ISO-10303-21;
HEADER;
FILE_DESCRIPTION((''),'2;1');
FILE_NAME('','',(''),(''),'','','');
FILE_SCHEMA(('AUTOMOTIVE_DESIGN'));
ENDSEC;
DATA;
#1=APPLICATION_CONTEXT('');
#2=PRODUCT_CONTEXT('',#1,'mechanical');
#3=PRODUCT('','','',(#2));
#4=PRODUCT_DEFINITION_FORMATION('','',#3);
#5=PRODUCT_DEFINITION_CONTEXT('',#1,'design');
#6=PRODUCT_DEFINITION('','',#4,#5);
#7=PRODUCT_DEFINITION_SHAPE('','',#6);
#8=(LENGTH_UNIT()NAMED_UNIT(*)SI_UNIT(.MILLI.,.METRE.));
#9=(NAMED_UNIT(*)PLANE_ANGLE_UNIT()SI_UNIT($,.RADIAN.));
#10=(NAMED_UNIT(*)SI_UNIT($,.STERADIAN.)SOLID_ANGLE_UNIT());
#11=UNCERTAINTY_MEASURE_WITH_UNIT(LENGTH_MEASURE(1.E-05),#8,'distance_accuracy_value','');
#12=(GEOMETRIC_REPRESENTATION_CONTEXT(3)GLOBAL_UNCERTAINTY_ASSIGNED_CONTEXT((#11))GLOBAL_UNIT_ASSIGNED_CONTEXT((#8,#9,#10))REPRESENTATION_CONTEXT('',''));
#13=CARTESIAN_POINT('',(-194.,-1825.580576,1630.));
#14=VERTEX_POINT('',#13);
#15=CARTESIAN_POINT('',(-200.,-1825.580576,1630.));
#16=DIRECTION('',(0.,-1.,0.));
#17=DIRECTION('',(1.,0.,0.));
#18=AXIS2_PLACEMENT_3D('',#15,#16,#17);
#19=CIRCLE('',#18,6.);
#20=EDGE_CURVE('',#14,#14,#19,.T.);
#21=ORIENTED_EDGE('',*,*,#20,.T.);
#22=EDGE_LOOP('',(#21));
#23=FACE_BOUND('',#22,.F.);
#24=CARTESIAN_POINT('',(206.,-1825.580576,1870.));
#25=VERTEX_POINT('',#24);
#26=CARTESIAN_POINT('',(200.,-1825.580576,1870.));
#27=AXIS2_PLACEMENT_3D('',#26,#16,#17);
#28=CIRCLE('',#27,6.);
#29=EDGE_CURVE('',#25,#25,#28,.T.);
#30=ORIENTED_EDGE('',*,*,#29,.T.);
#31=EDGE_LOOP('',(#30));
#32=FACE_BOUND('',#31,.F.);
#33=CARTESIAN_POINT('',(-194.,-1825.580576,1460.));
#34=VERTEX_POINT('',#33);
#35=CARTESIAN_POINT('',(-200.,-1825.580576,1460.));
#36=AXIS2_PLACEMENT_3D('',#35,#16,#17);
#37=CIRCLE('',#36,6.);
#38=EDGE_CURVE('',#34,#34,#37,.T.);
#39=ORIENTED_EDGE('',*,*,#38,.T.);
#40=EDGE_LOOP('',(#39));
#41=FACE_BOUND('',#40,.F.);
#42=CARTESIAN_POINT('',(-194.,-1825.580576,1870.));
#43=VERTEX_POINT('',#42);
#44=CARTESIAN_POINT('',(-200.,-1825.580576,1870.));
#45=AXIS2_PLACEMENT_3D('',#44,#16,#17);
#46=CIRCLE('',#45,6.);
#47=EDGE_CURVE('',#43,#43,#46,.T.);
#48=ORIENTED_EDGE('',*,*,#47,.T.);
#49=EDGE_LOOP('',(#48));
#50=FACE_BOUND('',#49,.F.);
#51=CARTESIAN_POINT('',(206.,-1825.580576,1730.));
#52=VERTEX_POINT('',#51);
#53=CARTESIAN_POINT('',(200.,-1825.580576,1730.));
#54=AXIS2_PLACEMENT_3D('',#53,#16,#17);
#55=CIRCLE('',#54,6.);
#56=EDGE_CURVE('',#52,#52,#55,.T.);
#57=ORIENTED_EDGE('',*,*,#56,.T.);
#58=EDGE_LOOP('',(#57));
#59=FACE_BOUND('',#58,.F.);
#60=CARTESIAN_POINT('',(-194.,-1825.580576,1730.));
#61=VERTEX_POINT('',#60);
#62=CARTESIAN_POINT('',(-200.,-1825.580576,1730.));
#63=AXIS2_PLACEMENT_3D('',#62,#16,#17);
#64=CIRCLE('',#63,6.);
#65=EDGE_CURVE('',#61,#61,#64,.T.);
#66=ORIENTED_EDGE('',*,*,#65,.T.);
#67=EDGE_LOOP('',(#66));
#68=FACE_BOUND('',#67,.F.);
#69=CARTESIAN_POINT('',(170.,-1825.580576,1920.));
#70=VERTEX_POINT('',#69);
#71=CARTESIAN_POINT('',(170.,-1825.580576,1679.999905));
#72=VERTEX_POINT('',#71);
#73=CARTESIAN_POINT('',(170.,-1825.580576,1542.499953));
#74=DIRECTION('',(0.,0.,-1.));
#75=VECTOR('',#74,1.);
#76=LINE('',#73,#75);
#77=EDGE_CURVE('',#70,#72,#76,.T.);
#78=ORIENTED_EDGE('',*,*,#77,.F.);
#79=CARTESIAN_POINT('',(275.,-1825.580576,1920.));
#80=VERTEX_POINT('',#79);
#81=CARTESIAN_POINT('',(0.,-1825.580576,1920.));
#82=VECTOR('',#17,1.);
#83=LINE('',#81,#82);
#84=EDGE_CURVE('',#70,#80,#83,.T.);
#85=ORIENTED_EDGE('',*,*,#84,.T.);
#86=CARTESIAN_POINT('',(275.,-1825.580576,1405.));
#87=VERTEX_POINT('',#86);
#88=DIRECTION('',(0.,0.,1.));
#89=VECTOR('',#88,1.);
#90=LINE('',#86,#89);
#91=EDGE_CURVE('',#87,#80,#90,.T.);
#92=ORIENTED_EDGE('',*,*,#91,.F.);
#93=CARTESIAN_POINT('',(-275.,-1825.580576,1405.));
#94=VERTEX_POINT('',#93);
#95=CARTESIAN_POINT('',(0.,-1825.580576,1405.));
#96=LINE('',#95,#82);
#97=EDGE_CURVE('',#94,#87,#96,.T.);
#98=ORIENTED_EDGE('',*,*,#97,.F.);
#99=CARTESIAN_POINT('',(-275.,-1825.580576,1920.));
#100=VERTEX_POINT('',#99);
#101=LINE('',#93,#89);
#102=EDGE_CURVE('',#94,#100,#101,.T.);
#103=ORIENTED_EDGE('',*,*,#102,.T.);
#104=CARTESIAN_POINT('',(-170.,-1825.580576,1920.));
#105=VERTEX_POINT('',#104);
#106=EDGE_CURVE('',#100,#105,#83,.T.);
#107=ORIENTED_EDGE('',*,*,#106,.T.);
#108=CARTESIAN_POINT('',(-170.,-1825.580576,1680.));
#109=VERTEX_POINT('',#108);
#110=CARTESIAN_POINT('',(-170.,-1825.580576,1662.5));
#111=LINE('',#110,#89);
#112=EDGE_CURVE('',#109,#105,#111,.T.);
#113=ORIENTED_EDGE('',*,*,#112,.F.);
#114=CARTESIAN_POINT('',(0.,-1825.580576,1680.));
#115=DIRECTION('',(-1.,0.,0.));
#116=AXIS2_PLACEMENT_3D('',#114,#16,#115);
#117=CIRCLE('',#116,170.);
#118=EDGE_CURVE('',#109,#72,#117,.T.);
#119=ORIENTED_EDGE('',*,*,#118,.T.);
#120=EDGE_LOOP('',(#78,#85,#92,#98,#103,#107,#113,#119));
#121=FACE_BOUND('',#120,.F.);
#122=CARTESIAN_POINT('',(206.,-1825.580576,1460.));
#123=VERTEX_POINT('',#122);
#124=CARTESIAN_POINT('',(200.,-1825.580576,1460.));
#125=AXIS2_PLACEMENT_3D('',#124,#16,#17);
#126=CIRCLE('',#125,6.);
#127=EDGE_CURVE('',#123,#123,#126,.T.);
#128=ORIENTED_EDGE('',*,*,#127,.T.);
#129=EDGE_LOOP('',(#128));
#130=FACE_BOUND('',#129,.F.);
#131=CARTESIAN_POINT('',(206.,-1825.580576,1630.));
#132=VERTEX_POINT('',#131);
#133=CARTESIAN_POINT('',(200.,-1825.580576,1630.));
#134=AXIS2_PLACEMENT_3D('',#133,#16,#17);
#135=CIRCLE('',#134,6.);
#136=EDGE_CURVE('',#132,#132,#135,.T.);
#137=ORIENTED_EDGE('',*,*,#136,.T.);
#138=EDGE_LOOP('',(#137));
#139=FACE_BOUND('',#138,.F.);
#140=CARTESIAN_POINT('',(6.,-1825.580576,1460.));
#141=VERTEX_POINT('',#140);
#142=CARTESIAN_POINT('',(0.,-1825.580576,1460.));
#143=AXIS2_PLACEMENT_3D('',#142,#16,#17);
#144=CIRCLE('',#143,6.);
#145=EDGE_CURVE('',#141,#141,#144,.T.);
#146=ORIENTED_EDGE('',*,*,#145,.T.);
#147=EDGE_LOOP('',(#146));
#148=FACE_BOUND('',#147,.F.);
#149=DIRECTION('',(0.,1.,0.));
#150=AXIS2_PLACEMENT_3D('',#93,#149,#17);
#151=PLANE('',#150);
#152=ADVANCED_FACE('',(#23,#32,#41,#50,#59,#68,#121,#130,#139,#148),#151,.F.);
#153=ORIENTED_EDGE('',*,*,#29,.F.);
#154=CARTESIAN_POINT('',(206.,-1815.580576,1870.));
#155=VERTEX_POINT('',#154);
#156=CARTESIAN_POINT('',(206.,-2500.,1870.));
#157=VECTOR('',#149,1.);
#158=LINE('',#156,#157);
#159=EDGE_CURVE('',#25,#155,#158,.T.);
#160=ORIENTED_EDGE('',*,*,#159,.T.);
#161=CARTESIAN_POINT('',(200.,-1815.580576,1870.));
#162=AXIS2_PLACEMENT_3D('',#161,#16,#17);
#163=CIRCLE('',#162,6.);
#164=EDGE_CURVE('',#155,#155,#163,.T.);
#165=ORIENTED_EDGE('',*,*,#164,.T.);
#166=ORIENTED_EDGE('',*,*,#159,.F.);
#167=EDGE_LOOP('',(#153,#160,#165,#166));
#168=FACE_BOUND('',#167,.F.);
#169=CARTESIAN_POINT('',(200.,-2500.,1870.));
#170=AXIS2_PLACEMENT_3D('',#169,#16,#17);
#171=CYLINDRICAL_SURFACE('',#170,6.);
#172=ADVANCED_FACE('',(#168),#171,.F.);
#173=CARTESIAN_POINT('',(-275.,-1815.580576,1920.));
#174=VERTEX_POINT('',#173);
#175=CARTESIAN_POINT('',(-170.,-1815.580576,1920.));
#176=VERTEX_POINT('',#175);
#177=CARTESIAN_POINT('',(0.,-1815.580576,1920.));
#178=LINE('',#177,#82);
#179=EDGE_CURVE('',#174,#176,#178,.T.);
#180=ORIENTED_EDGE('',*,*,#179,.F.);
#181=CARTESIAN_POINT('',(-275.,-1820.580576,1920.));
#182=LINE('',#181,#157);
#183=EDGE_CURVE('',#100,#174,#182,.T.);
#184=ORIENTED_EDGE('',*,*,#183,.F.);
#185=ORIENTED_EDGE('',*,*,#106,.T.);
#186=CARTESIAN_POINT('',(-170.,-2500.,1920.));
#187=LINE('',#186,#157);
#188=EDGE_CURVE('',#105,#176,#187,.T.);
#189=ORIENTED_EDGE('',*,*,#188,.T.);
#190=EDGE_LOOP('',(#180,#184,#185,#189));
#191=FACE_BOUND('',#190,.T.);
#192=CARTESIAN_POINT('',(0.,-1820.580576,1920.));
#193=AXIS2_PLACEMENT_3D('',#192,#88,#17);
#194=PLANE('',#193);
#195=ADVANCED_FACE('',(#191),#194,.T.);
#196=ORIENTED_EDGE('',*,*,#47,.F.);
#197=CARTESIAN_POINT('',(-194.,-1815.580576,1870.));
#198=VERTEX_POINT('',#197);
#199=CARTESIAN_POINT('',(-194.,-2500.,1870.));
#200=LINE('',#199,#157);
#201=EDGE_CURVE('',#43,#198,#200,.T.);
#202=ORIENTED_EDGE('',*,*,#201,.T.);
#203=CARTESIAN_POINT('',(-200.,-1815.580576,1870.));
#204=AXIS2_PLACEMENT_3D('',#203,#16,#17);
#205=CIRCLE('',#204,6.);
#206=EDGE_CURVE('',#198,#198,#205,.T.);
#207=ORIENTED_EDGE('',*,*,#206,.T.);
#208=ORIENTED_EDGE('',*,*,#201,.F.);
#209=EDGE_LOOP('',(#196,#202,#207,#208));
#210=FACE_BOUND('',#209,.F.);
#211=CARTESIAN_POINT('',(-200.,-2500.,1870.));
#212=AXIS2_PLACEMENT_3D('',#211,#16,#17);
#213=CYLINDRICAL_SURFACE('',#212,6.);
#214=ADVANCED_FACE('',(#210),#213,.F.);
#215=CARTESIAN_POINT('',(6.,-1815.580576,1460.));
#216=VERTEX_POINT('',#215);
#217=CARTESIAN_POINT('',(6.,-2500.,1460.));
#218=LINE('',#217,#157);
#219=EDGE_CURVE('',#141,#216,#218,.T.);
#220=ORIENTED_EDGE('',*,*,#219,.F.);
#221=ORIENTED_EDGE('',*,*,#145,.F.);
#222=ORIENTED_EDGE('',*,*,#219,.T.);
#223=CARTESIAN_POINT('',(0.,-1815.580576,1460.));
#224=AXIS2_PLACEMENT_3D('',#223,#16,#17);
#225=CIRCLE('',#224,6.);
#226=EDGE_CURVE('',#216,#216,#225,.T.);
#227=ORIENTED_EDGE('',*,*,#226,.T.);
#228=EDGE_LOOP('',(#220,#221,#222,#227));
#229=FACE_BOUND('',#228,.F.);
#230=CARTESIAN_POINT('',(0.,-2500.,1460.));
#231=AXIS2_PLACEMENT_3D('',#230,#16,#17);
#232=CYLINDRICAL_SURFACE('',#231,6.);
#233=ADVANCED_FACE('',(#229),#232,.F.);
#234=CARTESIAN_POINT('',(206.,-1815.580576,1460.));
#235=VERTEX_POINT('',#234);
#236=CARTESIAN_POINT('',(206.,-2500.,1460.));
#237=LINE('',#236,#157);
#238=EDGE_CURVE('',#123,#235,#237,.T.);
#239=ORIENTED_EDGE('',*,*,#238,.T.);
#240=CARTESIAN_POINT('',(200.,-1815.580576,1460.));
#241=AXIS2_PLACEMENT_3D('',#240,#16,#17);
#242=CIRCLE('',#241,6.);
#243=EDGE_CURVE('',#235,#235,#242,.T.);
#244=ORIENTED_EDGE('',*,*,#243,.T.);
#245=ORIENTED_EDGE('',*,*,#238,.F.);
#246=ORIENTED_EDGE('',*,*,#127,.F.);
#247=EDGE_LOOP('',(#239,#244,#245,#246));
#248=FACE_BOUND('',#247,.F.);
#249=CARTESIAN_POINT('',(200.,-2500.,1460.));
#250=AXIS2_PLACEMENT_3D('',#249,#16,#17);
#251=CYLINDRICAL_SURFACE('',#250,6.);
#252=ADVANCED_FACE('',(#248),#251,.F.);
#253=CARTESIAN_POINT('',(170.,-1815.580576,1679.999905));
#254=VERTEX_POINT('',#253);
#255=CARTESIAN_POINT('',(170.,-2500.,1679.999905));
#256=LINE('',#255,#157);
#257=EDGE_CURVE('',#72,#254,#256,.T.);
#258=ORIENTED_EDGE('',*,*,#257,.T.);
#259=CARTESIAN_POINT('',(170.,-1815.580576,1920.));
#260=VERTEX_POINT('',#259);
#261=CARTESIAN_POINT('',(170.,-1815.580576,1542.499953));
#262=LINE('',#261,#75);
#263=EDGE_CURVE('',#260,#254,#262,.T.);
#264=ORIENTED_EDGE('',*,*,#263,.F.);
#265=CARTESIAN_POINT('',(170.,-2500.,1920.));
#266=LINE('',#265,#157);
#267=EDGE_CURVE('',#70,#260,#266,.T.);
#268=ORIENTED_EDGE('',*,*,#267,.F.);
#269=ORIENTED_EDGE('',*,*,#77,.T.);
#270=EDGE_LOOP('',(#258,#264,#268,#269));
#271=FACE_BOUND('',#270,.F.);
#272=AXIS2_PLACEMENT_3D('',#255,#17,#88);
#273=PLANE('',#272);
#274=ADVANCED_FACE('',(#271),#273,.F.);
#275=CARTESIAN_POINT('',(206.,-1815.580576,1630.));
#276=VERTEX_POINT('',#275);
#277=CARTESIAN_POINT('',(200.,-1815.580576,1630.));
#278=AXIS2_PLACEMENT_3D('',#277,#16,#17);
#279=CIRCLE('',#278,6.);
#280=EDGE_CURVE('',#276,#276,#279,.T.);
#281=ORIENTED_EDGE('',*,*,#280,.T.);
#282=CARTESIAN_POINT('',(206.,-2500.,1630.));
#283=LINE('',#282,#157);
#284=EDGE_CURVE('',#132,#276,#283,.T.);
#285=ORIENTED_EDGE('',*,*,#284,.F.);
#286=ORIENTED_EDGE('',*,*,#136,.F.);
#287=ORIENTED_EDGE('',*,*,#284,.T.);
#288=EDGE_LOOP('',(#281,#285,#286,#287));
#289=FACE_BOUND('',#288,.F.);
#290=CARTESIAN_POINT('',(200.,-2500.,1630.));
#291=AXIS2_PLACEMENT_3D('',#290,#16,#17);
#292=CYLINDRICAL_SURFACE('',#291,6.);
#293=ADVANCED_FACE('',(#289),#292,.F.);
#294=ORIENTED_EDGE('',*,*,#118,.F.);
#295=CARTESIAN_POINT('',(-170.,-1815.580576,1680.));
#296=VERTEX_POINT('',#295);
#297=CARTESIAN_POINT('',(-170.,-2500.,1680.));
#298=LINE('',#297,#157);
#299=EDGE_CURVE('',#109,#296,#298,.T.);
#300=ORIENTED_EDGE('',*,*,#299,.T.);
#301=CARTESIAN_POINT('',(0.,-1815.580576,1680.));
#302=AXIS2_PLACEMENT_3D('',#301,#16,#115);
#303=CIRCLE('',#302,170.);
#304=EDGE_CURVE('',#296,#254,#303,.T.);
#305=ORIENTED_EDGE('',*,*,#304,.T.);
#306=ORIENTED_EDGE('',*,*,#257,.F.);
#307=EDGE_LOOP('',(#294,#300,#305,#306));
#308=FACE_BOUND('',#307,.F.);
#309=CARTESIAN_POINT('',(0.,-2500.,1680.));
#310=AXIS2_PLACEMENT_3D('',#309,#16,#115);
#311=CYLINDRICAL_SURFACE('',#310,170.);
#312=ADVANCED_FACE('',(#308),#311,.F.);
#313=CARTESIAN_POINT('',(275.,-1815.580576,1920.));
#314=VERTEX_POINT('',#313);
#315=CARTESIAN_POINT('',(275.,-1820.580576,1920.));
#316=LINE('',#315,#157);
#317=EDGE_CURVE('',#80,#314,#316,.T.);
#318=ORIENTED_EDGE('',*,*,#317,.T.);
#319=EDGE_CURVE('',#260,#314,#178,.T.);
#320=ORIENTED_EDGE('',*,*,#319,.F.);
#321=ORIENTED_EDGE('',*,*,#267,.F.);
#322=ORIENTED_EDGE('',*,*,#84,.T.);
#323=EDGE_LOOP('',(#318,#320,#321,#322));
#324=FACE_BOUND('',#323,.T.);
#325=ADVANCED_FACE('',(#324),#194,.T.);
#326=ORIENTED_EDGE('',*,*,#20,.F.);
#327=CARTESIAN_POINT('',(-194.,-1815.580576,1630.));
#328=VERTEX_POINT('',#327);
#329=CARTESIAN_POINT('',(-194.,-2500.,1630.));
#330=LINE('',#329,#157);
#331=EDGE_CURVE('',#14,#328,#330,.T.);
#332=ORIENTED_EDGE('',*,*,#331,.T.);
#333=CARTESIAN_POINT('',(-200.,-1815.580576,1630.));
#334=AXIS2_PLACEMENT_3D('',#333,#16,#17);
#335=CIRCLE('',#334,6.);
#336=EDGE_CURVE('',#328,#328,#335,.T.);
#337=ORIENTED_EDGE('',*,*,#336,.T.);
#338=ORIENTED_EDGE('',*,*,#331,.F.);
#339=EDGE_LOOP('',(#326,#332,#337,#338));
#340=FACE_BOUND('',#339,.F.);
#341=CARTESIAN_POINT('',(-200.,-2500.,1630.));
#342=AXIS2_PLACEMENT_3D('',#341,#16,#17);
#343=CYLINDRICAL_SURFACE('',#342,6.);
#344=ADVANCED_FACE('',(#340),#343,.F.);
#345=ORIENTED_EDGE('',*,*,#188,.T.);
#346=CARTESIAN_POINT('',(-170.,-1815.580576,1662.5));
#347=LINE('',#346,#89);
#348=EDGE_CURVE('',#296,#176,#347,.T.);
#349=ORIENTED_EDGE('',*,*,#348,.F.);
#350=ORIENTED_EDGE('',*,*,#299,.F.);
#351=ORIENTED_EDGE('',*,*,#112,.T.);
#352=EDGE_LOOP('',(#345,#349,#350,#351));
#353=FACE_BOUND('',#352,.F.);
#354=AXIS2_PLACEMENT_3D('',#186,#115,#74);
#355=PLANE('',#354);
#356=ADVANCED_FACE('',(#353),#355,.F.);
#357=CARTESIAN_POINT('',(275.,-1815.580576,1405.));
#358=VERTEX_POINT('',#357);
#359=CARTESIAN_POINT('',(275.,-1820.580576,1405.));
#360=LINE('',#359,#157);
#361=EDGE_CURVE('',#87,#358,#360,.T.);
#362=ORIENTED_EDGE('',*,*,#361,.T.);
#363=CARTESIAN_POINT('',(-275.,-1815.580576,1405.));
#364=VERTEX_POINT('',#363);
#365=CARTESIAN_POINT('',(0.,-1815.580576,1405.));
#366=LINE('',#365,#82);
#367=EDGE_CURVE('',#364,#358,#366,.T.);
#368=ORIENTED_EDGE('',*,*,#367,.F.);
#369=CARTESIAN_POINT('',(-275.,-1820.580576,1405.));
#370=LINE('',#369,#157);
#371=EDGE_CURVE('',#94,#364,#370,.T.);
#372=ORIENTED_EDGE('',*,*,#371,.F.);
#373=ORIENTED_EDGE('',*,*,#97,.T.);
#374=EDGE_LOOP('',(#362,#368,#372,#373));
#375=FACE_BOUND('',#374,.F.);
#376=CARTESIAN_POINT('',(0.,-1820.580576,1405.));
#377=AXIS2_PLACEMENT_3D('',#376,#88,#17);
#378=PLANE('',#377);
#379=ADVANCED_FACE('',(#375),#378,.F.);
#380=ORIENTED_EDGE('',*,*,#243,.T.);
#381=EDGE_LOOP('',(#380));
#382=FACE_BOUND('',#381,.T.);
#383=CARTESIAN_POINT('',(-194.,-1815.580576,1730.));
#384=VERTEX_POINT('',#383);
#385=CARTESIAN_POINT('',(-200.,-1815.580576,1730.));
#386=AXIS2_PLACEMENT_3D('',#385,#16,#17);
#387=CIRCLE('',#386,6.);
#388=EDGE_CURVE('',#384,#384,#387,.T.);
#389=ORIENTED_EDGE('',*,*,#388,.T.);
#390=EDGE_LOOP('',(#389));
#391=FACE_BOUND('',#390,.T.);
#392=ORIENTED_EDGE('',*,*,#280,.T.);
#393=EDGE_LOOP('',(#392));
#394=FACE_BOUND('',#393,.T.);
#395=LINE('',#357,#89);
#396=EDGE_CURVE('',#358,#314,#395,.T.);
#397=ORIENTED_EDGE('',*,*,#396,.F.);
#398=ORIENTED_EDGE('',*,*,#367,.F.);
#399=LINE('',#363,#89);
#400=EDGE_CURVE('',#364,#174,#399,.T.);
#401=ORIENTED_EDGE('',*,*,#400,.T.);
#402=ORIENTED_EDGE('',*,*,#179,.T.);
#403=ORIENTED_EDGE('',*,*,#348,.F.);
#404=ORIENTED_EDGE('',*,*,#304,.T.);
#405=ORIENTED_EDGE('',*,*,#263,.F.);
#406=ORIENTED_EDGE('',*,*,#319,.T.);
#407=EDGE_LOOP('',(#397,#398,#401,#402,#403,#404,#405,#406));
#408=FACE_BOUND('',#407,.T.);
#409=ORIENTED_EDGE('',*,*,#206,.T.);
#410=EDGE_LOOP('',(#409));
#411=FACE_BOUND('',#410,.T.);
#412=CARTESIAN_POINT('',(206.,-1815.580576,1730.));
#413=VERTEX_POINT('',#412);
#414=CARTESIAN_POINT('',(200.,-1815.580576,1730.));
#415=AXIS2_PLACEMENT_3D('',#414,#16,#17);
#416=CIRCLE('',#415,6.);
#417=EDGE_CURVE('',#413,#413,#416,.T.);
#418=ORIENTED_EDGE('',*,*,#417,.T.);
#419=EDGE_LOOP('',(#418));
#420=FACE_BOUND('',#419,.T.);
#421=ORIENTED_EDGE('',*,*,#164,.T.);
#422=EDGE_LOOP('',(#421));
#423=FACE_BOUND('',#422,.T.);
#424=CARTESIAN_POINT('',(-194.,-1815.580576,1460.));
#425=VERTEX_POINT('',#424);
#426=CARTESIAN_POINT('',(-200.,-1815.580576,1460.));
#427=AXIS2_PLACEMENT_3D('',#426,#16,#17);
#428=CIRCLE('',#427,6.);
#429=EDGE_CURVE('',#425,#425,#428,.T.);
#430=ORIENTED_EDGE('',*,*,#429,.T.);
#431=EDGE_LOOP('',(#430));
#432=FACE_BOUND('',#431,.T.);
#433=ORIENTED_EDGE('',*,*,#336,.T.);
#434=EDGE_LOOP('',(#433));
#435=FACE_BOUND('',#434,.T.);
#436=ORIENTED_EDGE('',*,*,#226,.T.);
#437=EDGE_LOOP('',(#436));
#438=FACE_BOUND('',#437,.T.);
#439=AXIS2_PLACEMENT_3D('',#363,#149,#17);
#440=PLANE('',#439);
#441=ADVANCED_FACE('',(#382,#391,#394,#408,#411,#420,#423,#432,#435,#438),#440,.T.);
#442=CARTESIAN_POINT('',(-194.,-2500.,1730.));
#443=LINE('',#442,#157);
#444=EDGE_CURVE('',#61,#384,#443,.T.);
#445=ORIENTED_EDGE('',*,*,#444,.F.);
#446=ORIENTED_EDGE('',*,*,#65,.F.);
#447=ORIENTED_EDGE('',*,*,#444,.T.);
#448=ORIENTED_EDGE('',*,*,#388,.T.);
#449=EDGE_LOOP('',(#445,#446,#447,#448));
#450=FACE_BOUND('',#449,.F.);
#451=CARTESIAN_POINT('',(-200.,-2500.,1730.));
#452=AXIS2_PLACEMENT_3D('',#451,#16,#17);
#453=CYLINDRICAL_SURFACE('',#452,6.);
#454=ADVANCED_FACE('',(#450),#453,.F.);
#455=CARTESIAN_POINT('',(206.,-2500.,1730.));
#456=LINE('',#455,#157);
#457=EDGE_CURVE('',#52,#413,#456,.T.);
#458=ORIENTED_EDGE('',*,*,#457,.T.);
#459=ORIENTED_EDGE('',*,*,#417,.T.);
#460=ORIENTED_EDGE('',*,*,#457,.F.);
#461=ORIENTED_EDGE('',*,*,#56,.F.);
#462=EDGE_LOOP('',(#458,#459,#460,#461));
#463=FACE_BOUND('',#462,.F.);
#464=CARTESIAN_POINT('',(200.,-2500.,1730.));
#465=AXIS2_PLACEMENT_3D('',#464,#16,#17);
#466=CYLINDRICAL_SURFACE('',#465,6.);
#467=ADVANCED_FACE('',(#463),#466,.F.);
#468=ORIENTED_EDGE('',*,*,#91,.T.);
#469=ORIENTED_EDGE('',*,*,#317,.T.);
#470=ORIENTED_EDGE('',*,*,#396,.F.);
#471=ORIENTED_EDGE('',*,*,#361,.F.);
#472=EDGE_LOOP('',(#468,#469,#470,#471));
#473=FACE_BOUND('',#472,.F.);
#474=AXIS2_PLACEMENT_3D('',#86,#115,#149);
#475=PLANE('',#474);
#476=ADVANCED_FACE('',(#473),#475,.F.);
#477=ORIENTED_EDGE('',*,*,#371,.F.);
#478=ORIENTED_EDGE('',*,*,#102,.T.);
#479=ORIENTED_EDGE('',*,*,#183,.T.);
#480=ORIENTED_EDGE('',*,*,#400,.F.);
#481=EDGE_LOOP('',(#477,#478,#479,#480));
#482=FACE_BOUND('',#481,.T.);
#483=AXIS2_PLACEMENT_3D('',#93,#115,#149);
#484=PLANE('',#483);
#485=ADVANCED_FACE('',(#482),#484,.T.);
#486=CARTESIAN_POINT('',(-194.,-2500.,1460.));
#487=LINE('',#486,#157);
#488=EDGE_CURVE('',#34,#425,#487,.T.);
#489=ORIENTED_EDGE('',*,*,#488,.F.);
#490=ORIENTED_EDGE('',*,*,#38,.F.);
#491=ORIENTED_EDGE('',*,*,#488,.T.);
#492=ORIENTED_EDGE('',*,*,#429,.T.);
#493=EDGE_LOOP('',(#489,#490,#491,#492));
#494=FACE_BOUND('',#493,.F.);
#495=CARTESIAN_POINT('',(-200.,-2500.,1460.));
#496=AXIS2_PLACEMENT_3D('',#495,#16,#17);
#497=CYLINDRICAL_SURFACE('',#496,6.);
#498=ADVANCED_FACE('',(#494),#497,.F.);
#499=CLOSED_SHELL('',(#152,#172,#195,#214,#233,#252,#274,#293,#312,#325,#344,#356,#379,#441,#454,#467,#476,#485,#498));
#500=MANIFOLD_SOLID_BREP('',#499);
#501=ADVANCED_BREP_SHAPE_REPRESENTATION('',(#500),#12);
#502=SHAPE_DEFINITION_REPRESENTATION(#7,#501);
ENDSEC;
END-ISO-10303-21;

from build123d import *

# Parameters (mm, degrees)
SKETCH005_R      = 6
EXTRUDE004_DEPTH = 1000
EXTRUDE003_DEPTH = 1000
SKETCH003_W      = 550
SKETCH003_H      = 10
EXTRUDE002_DEPTH = 515


with BuildPart() as extrude004:
    # Sketch005 → Extrude004 (new body)
    with BuildSketch(Plane.XZ.offset(2500)):
        with Locations((-200, 1730)):
            Circle(SKETCH005_R)
        with Locations((-200, 1870)):
            Circle(SKETCH005_R)
        with Locations((200, 1870)):
            Circle(SKETCH005_R)
        with Locations((200, 1730)):
            Circle(SKETCH005_R)
        with Locations((-200, 1630)):
            Circle(SKETCH005_R)
        with Locations((-200, 1460)):
            Circle(SKETCH005_R)
        with Locations((200, 1630)):
            Circle(SKETCH005_R)
        with Locations((200, 1460)):
            Circle(SKETCH005_R)
        with Locations((0, 1460)):
            Circle(SKETCH005_R)
    extrude(amount=-EXTRUDE004_DEPTH)


with BuildPart() as extrude003:
    # Sketch004 → Extrude003 (new body)
    with BuildSketch(Plane.XZ.offset(2500)):
        with BuildLine():
            Line((-170, 1920), (-170, 1680))
            ThreePointArc((-170, 1680), (-4.8e-05, 1510), (170, 1679.999905))
            Line((170, 1679.999905), (170, 1920))
            Line((170, 1920), (-170, 1920))
        make_face()
    extrude(amount=-EXTRUDE003_DEPTH)


with BuildPart() as cut002:
    # Sketch003 → Extrude002 (new body)
    with BuildSketch(Plane.XY.offset(1405)):
        with Locations((0, -1820.580576)):
            Rectangle(SKETCH003_W, SKETCH003_H)
    extrude(amount=EXTRUDE002_DEPTH)

    # Cut001: cut Extrude003
    add(extrude003.part, mode=Mode.SUBTRACT)

    # Cut002: cut Extrude004
    add(extrude004.part, mode=Mode.SUBTRACT)


solid = cut002.part
